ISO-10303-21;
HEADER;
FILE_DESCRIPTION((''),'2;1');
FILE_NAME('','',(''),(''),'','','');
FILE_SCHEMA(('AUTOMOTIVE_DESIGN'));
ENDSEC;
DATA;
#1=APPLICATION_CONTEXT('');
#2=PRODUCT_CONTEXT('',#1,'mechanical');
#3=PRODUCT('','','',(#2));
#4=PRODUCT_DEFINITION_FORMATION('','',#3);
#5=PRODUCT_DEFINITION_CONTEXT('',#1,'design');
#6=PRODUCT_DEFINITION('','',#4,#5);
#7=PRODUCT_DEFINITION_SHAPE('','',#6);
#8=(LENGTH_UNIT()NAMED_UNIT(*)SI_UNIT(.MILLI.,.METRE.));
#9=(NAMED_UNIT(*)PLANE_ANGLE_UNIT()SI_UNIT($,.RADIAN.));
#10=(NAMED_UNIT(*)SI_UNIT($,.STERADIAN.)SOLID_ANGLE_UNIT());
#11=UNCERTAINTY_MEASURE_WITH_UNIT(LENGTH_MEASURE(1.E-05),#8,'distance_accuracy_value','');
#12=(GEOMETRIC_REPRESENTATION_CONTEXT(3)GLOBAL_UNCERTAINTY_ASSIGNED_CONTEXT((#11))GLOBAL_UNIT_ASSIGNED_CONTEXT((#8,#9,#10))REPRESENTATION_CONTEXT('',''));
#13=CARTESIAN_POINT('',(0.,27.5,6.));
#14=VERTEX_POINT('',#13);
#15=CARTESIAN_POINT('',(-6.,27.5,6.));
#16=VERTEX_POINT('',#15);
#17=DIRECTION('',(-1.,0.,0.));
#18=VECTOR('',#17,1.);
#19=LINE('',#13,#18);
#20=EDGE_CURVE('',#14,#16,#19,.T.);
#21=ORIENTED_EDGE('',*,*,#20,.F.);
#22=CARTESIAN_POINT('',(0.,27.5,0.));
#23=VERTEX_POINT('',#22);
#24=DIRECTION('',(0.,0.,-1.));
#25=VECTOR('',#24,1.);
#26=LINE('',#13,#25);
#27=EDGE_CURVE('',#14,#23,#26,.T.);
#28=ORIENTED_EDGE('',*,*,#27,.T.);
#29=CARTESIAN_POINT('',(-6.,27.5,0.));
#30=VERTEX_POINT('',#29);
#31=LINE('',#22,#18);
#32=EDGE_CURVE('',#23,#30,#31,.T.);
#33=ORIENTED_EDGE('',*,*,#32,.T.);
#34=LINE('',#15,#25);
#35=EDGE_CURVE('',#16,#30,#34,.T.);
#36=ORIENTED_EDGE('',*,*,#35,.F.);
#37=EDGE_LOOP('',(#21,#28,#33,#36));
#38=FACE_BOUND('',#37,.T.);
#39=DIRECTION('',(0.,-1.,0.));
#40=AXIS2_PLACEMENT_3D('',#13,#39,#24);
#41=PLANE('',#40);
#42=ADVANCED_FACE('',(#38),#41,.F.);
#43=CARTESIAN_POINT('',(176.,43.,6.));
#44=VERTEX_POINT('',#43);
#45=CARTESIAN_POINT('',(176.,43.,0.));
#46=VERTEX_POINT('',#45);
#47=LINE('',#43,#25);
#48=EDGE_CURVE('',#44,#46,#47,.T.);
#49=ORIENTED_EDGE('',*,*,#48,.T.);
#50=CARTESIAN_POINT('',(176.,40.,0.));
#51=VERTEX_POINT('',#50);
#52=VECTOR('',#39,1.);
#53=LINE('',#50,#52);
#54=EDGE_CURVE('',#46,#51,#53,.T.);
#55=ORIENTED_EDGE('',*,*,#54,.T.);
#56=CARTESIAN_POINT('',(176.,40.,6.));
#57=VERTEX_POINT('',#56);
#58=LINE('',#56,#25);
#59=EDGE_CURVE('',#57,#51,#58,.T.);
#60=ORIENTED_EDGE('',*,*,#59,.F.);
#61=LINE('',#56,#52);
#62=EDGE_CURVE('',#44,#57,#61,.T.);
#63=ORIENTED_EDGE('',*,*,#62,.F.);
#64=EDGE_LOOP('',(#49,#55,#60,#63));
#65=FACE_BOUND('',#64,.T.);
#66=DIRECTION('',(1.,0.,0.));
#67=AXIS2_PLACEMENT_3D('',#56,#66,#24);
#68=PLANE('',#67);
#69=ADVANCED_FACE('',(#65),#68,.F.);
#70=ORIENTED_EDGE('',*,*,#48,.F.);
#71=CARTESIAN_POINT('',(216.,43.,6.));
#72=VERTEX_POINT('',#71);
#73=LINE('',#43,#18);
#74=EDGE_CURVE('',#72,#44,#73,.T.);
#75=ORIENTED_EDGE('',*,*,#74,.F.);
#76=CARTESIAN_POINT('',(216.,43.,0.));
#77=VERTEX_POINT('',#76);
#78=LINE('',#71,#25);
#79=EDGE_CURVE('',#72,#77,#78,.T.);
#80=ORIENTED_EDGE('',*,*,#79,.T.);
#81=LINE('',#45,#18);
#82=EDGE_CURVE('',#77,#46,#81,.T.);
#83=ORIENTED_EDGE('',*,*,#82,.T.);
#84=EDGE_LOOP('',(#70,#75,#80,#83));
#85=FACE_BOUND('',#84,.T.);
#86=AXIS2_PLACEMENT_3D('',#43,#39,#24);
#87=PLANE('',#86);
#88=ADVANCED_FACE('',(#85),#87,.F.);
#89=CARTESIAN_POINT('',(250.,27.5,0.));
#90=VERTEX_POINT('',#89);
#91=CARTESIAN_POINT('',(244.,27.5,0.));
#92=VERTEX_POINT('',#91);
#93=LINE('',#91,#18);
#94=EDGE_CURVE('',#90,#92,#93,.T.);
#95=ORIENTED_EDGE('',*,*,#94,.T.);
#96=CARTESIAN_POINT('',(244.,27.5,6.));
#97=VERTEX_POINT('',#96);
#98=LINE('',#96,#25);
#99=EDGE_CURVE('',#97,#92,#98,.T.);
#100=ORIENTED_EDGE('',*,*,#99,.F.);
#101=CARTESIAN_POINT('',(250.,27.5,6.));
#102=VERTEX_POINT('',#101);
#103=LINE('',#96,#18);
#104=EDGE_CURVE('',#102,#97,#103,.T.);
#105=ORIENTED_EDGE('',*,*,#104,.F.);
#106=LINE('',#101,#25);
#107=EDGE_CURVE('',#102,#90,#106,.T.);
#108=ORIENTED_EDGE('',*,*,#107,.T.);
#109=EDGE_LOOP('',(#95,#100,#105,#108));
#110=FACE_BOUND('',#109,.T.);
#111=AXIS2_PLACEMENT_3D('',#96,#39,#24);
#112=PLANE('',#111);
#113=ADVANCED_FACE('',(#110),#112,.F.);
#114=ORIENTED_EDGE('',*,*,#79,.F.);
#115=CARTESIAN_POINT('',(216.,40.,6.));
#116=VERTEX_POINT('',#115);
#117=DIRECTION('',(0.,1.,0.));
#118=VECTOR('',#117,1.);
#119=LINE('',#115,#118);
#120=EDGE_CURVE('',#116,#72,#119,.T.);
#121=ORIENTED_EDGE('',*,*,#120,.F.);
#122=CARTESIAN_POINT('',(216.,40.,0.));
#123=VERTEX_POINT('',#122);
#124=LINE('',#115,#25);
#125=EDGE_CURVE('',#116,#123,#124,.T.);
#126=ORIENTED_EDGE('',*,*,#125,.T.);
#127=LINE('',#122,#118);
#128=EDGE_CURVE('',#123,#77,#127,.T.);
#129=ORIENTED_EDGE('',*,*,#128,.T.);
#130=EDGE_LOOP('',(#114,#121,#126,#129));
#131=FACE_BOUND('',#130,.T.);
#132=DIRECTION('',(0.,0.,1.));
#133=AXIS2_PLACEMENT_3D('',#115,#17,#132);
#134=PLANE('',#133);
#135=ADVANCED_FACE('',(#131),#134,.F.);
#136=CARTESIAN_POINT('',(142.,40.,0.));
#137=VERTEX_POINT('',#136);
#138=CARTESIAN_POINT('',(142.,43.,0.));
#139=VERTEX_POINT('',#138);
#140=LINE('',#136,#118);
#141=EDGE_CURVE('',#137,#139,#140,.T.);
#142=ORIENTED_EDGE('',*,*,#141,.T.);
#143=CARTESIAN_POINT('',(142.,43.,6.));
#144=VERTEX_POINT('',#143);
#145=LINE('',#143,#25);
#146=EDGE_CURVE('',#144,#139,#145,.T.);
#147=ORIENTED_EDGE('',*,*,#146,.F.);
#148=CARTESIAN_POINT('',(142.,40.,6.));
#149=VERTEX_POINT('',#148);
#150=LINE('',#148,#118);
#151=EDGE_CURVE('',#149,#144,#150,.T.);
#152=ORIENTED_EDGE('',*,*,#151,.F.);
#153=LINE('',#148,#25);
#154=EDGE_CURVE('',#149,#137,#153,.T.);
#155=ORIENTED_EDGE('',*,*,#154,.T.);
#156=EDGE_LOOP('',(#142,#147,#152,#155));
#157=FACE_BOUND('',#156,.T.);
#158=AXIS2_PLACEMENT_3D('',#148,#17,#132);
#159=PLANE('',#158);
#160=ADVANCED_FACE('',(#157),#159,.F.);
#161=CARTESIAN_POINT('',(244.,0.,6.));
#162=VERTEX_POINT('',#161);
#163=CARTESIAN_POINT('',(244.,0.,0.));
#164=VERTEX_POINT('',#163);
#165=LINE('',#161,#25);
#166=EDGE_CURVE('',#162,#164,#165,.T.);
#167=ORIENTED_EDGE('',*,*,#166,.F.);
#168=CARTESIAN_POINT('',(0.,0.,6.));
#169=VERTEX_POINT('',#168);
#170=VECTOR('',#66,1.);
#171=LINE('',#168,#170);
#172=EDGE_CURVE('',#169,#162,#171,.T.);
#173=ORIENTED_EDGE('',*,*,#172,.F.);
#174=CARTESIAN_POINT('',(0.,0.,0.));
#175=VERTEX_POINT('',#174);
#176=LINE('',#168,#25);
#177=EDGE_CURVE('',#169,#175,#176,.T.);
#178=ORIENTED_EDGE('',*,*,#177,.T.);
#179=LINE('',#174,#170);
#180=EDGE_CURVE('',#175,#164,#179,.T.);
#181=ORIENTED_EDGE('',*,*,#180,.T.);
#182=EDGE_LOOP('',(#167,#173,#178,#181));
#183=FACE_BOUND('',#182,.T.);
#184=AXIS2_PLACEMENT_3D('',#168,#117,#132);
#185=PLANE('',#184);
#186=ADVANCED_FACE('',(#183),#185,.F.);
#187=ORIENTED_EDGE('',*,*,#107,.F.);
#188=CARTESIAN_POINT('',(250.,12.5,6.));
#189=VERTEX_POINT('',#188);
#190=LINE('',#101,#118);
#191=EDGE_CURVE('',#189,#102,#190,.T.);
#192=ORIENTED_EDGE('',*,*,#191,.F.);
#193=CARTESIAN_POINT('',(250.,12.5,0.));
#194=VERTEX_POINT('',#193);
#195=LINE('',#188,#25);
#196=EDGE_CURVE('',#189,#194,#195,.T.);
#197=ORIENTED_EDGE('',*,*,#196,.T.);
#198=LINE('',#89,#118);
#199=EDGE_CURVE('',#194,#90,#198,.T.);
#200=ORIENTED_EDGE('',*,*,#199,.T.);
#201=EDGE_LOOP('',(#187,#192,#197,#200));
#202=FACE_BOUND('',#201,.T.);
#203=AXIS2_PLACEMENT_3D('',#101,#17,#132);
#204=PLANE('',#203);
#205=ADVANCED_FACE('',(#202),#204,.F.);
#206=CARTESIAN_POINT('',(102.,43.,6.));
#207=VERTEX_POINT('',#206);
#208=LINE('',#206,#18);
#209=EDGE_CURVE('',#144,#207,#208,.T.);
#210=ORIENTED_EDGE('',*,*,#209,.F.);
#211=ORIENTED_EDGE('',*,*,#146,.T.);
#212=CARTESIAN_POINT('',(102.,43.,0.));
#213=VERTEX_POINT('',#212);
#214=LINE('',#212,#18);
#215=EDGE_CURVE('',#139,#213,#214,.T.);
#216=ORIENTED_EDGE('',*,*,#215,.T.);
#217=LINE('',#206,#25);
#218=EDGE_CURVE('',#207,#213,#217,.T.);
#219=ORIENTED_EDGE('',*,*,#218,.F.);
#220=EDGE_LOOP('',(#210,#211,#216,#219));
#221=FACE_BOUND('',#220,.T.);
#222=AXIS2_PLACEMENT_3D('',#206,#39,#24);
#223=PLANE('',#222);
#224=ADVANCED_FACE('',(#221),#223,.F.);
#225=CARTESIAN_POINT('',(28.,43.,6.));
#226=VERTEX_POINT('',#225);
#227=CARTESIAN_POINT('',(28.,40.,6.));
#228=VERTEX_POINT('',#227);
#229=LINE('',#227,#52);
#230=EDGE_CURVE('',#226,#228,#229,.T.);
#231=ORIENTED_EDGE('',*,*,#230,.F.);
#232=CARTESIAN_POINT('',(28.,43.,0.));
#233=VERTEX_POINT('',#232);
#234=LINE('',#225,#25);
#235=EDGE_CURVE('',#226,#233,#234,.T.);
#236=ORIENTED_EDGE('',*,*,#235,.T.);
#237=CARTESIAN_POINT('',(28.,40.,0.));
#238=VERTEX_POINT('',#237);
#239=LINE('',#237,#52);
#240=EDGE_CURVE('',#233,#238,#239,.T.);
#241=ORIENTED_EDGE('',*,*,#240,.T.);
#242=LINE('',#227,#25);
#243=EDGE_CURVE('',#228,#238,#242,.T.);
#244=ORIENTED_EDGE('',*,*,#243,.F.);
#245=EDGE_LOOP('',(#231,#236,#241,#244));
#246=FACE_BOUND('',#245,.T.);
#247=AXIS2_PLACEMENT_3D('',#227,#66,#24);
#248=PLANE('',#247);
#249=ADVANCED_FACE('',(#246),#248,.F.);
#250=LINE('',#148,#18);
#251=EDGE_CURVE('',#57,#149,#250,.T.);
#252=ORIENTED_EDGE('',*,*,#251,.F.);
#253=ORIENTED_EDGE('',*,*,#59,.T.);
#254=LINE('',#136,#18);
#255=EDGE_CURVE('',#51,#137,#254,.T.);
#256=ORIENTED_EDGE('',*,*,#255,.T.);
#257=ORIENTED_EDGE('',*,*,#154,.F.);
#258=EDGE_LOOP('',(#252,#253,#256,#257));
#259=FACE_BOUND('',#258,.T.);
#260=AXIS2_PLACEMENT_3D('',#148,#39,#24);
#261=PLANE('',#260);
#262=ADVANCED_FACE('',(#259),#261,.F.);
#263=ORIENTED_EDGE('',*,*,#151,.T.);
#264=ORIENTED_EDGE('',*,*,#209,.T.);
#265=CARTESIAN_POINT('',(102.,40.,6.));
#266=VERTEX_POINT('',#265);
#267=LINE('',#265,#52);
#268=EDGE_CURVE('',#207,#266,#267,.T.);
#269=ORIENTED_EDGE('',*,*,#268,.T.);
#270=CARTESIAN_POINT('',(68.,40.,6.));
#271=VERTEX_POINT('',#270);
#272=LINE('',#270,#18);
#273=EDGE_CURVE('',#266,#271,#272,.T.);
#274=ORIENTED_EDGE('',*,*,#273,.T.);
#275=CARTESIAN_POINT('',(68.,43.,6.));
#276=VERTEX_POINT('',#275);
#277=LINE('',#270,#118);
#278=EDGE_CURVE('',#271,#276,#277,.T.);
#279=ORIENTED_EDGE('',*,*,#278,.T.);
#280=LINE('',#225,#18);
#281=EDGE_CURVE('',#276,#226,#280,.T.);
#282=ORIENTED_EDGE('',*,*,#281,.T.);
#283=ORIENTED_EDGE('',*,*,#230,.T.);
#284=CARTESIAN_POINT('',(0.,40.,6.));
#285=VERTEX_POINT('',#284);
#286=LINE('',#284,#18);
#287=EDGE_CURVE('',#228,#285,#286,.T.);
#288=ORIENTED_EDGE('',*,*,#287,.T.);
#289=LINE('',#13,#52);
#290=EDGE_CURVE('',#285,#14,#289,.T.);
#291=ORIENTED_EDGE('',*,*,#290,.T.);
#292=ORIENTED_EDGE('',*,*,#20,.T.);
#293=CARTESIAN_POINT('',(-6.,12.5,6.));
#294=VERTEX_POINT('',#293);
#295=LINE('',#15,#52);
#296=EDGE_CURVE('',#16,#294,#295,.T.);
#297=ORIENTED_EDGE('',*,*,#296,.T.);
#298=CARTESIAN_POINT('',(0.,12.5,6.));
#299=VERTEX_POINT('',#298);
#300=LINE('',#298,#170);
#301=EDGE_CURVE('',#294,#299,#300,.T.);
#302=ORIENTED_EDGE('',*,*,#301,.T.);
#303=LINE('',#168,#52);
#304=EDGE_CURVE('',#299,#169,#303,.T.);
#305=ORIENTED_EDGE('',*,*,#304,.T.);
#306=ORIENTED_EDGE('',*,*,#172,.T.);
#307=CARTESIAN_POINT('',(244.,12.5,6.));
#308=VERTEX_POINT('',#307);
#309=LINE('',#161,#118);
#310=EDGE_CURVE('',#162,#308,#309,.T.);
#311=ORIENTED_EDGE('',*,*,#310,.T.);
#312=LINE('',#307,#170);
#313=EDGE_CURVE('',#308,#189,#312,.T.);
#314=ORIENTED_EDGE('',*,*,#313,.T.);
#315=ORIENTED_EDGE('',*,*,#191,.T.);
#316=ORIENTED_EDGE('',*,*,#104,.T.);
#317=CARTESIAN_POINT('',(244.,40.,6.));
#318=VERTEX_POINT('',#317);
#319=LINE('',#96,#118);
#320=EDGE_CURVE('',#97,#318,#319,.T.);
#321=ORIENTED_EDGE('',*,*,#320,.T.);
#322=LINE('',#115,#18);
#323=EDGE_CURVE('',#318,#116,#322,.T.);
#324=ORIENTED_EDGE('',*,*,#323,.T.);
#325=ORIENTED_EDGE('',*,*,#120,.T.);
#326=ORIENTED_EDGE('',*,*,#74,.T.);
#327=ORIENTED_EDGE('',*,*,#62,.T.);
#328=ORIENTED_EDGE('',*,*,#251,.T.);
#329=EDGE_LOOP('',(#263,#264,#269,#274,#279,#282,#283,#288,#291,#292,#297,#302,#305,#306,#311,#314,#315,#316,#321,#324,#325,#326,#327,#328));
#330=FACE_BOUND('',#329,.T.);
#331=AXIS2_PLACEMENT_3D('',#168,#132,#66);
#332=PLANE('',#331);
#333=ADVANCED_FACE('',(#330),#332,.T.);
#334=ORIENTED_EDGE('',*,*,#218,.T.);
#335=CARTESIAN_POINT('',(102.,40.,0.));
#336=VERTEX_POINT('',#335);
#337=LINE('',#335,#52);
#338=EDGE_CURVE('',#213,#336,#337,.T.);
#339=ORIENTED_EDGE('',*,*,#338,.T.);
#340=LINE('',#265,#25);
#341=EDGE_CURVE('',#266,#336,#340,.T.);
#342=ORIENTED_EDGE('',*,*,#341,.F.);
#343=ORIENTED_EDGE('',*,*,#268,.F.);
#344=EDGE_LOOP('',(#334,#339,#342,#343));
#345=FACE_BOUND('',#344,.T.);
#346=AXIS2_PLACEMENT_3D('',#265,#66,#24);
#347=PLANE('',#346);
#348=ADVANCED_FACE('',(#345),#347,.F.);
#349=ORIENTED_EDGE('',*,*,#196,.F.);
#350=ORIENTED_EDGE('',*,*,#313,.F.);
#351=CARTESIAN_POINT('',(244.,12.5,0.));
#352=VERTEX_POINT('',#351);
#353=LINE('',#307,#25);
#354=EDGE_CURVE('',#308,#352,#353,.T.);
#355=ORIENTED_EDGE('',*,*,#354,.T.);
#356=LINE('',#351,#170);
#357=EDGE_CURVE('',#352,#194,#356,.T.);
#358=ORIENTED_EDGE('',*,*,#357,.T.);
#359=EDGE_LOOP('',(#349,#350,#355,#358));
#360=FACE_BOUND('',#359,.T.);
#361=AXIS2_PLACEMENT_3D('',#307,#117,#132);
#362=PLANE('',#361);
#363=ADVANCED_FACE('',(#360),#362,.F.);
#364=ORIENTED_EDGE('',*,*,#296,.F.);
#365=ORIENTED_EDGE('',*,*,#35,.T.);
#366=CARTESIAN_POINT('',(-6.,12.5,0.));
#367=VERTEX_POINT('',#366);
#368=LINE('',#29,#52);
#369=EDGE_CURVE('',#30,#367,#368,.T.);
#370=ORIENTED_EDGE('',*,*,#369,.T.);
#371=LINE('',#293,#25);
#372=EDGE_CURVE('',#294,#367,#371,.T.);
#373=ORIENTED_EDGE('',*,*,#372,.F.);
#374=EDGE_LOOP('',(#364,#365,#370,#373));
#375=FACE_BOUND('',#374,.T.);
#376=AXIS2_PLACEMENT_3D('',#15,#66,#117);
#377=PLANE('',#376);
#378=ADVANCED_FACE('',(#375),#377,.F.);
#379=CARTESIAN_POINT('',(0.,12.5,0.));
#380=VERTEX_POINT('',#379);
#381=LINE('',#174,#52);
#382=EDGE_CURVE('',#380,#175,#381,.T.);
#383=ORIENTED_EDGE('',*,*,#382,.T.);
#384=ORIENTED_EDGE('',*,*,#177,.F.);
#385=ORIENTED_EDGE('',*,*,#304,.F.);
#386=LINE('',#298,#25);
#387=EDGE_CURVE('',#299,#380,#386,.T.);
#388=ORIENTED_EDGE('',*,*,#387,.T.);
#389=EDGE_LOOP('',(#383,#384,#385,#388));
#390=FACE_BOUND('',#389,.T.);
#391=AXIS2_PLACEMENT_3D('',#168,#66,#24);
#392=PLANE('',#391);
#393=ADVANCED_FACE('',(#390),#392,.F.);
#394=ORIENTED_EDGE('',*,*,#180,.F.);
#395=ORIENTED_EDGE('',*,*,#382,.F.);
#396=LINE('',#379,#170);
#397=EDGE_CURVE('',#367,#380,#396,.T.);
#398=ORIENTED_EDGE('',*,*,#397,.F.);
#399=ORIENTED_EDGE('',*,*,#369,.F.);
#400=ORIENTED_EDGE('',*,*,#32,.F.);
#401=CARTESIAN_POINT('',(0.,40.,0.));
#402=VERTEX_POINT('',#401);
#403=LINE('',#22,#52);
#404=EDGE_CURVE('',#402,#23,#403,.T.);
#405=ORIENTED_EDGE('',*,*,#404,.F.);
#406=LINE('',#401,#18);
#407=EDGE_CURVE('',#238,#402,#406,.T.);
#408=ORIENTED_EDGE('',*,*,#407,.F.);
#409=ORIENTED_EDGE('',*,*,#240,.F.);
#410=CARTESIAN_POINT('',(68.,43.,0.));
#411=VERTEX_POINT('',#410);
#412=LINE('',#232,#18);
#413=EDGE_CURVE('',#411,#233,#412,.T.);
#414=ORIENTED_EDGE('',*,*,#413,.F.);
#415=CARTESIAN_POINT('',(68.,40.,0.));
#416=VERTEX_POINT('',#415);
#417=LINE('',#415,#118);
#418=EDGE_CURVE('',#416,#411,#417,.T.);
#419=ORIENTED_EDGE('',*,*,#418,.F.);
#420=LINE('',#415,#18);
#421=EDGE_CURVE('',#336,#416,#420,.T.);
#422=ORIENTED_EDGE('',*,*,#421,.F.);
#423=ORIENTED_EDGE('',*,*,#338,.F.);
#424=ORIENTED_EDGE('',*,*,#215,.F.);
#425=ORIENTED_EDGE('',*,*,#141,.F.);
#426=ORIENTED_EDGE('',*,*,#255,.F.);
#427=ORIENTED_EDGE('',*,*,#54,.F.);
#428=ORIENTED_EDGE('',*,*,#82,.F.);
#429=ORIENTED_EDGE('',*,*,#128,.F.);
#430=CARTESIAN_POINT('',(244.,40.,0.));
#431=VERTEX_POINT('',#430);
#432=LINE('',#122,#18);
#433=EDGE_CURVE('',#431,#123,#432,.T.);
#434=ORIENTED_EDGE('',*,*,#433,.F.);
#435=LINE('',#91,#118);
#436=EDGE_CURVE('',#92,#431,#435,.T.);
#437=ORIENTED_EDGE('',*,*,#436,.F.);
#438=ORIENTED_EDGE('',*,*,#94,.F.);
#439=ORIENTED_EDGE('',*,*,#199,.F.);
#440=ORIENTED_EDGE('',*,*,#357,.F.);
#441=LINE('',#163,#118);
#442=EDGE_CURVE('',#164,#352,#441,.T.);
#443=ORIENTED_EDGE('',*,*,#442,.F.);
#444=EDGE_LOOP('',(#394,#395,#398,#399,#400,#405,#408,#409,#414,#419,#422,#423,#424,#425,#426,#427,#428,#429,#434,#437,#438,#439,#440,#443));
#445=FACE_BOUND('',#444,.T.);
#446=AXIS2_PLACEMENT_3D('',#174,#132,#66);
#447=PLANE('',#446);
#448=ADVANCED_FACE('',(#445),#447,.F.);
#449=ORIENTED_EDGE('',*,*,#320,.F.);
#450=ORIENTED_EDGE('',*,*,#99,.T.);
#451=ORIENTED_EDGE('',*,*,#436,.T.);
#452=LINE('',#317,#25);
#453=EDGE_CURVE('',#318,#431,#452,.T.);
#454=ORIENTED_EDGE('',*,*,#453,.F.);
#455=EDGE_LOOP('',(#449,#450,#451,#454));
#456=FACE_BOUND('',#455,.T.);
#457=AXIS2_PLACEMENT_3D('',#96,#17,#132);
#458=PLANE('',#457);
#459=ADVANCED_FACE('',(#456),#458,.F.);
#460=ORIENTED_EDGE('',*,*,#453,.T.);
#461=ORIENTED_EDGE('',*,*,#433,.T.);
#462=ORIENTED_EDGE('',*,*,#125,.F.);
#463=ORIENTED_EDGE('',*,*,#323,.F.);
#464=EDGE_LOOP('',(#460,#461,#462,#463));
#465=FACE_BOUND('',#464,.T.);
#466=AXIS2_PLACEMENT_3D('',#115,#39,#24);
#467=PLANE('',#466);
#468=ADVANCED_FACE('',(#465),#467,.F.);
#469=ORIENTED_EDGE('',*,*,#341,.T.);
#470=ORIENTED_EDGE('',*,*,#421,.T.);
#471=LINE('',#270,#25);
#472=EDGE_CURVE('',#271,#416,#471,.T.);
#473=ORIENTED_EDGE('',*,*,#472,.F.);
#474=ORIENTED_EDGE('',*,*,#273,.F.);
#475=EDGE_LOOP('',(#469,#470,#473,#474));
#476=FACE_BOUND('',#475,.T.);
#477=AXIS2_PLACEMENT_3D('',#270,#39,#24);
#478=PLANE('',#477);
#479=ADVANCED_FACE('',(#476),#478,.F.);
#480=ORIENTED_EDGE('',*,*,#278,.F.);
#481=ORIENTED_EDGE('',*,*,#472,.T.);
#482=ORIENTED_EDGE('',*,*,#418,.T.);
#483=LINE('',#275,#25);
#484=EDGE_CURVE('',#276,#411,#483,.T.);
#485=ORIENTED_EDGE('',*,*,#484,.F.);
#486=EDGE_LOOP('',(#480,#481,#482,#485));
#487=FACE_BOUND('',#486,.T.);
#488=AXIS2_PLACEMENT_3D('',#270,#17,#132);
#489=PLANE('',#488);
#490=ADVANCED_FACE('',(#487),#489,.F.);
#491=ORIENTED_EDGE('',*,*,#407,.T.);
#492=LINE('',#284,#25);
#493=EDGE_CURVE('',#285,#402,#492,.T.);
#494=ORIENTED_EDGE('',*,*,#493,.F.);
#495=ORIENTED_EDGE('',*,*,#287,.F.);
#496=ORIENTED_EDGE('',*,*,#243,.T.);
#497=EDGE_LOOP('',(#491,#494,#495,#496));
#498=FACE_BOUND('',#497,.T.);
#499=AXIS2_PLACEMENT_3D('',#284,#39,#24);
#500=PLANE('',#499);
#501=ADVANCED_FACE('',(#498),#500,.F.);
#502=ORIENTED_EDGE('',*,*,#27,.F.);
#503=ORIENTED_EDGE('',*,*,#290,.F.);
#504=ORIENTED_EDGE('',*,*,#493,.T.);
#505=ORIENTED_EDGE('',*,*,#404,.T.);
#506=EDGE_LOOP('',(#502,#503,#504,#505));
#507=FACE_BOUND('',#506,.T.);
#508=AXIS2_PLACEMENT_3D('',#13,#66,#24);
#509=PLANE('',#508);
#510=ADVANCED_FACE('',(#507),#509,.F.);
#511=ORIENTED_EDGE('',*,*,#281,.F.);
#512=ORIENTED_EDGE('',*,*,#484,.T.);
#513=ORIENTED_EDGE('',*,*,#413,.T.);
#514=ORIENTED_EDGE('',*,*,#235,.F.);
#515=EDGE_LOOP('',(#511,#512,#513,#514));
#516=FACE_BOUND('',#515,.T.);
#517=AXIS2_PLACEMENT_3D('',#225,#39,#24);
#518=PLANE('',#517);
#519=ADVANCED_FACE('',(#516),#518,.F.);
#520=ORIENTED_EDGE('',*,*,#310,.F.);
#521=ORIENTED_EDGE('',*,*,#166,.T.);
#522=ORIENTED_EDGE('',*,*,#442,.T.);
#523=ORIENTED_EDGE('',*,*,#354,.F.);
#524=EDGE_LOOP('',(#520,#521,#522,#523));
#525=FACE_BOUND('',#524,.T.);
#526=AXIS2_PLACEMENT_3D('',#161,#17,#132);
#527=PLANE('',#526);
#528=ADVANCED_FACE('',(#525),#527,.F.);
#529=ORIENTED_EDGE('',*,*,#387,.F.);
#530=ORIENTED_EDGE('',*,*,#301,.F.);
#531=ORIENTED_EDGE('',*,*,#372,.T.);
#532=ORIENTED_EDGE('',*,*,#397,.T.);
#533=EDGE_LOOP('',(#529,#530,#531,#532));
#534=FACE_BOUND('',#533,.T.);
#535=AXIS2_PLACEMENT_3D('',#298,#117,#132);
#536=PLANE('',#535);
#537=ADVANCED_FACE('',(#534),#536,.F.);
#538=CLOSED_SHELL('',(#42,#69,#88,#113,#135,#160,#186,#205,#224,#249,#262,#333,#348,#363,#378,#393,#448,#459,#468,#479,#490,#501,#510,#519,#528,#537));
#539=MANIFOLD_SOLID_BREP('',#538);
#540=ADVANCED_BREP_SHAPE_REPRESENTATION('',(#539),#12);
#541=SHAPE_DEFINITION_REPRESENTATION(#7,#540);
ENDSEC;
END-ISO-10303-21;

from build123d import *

# Parameters (mm, degrees)
EXTRUDE_1_DEPTH = 6


with BuildPart() as part:
    # Эскиз2 → Бобышка-Вытянуть1 (new body)
    with BuildSketch(Plane.XY):
        Polygon((68, 40), (102, 40), (102, 43), (142, 43), (142, 40), (176, 40), (176, 43), (216, 43), (216, 40), (244, 40), (244, 27.5), (250, 27.5), (250, 12.5), (244, 12.5), (244, 0), (0, 0), (0, 12.5), (-6, 12.5), (-6, 27.5), (0, 27.5), (0, 40), (28, 40), (28, 43), (68, 43), align=None)
    extrude(amount=EXTRUDE_1_DEPTH)


solid = part.part
